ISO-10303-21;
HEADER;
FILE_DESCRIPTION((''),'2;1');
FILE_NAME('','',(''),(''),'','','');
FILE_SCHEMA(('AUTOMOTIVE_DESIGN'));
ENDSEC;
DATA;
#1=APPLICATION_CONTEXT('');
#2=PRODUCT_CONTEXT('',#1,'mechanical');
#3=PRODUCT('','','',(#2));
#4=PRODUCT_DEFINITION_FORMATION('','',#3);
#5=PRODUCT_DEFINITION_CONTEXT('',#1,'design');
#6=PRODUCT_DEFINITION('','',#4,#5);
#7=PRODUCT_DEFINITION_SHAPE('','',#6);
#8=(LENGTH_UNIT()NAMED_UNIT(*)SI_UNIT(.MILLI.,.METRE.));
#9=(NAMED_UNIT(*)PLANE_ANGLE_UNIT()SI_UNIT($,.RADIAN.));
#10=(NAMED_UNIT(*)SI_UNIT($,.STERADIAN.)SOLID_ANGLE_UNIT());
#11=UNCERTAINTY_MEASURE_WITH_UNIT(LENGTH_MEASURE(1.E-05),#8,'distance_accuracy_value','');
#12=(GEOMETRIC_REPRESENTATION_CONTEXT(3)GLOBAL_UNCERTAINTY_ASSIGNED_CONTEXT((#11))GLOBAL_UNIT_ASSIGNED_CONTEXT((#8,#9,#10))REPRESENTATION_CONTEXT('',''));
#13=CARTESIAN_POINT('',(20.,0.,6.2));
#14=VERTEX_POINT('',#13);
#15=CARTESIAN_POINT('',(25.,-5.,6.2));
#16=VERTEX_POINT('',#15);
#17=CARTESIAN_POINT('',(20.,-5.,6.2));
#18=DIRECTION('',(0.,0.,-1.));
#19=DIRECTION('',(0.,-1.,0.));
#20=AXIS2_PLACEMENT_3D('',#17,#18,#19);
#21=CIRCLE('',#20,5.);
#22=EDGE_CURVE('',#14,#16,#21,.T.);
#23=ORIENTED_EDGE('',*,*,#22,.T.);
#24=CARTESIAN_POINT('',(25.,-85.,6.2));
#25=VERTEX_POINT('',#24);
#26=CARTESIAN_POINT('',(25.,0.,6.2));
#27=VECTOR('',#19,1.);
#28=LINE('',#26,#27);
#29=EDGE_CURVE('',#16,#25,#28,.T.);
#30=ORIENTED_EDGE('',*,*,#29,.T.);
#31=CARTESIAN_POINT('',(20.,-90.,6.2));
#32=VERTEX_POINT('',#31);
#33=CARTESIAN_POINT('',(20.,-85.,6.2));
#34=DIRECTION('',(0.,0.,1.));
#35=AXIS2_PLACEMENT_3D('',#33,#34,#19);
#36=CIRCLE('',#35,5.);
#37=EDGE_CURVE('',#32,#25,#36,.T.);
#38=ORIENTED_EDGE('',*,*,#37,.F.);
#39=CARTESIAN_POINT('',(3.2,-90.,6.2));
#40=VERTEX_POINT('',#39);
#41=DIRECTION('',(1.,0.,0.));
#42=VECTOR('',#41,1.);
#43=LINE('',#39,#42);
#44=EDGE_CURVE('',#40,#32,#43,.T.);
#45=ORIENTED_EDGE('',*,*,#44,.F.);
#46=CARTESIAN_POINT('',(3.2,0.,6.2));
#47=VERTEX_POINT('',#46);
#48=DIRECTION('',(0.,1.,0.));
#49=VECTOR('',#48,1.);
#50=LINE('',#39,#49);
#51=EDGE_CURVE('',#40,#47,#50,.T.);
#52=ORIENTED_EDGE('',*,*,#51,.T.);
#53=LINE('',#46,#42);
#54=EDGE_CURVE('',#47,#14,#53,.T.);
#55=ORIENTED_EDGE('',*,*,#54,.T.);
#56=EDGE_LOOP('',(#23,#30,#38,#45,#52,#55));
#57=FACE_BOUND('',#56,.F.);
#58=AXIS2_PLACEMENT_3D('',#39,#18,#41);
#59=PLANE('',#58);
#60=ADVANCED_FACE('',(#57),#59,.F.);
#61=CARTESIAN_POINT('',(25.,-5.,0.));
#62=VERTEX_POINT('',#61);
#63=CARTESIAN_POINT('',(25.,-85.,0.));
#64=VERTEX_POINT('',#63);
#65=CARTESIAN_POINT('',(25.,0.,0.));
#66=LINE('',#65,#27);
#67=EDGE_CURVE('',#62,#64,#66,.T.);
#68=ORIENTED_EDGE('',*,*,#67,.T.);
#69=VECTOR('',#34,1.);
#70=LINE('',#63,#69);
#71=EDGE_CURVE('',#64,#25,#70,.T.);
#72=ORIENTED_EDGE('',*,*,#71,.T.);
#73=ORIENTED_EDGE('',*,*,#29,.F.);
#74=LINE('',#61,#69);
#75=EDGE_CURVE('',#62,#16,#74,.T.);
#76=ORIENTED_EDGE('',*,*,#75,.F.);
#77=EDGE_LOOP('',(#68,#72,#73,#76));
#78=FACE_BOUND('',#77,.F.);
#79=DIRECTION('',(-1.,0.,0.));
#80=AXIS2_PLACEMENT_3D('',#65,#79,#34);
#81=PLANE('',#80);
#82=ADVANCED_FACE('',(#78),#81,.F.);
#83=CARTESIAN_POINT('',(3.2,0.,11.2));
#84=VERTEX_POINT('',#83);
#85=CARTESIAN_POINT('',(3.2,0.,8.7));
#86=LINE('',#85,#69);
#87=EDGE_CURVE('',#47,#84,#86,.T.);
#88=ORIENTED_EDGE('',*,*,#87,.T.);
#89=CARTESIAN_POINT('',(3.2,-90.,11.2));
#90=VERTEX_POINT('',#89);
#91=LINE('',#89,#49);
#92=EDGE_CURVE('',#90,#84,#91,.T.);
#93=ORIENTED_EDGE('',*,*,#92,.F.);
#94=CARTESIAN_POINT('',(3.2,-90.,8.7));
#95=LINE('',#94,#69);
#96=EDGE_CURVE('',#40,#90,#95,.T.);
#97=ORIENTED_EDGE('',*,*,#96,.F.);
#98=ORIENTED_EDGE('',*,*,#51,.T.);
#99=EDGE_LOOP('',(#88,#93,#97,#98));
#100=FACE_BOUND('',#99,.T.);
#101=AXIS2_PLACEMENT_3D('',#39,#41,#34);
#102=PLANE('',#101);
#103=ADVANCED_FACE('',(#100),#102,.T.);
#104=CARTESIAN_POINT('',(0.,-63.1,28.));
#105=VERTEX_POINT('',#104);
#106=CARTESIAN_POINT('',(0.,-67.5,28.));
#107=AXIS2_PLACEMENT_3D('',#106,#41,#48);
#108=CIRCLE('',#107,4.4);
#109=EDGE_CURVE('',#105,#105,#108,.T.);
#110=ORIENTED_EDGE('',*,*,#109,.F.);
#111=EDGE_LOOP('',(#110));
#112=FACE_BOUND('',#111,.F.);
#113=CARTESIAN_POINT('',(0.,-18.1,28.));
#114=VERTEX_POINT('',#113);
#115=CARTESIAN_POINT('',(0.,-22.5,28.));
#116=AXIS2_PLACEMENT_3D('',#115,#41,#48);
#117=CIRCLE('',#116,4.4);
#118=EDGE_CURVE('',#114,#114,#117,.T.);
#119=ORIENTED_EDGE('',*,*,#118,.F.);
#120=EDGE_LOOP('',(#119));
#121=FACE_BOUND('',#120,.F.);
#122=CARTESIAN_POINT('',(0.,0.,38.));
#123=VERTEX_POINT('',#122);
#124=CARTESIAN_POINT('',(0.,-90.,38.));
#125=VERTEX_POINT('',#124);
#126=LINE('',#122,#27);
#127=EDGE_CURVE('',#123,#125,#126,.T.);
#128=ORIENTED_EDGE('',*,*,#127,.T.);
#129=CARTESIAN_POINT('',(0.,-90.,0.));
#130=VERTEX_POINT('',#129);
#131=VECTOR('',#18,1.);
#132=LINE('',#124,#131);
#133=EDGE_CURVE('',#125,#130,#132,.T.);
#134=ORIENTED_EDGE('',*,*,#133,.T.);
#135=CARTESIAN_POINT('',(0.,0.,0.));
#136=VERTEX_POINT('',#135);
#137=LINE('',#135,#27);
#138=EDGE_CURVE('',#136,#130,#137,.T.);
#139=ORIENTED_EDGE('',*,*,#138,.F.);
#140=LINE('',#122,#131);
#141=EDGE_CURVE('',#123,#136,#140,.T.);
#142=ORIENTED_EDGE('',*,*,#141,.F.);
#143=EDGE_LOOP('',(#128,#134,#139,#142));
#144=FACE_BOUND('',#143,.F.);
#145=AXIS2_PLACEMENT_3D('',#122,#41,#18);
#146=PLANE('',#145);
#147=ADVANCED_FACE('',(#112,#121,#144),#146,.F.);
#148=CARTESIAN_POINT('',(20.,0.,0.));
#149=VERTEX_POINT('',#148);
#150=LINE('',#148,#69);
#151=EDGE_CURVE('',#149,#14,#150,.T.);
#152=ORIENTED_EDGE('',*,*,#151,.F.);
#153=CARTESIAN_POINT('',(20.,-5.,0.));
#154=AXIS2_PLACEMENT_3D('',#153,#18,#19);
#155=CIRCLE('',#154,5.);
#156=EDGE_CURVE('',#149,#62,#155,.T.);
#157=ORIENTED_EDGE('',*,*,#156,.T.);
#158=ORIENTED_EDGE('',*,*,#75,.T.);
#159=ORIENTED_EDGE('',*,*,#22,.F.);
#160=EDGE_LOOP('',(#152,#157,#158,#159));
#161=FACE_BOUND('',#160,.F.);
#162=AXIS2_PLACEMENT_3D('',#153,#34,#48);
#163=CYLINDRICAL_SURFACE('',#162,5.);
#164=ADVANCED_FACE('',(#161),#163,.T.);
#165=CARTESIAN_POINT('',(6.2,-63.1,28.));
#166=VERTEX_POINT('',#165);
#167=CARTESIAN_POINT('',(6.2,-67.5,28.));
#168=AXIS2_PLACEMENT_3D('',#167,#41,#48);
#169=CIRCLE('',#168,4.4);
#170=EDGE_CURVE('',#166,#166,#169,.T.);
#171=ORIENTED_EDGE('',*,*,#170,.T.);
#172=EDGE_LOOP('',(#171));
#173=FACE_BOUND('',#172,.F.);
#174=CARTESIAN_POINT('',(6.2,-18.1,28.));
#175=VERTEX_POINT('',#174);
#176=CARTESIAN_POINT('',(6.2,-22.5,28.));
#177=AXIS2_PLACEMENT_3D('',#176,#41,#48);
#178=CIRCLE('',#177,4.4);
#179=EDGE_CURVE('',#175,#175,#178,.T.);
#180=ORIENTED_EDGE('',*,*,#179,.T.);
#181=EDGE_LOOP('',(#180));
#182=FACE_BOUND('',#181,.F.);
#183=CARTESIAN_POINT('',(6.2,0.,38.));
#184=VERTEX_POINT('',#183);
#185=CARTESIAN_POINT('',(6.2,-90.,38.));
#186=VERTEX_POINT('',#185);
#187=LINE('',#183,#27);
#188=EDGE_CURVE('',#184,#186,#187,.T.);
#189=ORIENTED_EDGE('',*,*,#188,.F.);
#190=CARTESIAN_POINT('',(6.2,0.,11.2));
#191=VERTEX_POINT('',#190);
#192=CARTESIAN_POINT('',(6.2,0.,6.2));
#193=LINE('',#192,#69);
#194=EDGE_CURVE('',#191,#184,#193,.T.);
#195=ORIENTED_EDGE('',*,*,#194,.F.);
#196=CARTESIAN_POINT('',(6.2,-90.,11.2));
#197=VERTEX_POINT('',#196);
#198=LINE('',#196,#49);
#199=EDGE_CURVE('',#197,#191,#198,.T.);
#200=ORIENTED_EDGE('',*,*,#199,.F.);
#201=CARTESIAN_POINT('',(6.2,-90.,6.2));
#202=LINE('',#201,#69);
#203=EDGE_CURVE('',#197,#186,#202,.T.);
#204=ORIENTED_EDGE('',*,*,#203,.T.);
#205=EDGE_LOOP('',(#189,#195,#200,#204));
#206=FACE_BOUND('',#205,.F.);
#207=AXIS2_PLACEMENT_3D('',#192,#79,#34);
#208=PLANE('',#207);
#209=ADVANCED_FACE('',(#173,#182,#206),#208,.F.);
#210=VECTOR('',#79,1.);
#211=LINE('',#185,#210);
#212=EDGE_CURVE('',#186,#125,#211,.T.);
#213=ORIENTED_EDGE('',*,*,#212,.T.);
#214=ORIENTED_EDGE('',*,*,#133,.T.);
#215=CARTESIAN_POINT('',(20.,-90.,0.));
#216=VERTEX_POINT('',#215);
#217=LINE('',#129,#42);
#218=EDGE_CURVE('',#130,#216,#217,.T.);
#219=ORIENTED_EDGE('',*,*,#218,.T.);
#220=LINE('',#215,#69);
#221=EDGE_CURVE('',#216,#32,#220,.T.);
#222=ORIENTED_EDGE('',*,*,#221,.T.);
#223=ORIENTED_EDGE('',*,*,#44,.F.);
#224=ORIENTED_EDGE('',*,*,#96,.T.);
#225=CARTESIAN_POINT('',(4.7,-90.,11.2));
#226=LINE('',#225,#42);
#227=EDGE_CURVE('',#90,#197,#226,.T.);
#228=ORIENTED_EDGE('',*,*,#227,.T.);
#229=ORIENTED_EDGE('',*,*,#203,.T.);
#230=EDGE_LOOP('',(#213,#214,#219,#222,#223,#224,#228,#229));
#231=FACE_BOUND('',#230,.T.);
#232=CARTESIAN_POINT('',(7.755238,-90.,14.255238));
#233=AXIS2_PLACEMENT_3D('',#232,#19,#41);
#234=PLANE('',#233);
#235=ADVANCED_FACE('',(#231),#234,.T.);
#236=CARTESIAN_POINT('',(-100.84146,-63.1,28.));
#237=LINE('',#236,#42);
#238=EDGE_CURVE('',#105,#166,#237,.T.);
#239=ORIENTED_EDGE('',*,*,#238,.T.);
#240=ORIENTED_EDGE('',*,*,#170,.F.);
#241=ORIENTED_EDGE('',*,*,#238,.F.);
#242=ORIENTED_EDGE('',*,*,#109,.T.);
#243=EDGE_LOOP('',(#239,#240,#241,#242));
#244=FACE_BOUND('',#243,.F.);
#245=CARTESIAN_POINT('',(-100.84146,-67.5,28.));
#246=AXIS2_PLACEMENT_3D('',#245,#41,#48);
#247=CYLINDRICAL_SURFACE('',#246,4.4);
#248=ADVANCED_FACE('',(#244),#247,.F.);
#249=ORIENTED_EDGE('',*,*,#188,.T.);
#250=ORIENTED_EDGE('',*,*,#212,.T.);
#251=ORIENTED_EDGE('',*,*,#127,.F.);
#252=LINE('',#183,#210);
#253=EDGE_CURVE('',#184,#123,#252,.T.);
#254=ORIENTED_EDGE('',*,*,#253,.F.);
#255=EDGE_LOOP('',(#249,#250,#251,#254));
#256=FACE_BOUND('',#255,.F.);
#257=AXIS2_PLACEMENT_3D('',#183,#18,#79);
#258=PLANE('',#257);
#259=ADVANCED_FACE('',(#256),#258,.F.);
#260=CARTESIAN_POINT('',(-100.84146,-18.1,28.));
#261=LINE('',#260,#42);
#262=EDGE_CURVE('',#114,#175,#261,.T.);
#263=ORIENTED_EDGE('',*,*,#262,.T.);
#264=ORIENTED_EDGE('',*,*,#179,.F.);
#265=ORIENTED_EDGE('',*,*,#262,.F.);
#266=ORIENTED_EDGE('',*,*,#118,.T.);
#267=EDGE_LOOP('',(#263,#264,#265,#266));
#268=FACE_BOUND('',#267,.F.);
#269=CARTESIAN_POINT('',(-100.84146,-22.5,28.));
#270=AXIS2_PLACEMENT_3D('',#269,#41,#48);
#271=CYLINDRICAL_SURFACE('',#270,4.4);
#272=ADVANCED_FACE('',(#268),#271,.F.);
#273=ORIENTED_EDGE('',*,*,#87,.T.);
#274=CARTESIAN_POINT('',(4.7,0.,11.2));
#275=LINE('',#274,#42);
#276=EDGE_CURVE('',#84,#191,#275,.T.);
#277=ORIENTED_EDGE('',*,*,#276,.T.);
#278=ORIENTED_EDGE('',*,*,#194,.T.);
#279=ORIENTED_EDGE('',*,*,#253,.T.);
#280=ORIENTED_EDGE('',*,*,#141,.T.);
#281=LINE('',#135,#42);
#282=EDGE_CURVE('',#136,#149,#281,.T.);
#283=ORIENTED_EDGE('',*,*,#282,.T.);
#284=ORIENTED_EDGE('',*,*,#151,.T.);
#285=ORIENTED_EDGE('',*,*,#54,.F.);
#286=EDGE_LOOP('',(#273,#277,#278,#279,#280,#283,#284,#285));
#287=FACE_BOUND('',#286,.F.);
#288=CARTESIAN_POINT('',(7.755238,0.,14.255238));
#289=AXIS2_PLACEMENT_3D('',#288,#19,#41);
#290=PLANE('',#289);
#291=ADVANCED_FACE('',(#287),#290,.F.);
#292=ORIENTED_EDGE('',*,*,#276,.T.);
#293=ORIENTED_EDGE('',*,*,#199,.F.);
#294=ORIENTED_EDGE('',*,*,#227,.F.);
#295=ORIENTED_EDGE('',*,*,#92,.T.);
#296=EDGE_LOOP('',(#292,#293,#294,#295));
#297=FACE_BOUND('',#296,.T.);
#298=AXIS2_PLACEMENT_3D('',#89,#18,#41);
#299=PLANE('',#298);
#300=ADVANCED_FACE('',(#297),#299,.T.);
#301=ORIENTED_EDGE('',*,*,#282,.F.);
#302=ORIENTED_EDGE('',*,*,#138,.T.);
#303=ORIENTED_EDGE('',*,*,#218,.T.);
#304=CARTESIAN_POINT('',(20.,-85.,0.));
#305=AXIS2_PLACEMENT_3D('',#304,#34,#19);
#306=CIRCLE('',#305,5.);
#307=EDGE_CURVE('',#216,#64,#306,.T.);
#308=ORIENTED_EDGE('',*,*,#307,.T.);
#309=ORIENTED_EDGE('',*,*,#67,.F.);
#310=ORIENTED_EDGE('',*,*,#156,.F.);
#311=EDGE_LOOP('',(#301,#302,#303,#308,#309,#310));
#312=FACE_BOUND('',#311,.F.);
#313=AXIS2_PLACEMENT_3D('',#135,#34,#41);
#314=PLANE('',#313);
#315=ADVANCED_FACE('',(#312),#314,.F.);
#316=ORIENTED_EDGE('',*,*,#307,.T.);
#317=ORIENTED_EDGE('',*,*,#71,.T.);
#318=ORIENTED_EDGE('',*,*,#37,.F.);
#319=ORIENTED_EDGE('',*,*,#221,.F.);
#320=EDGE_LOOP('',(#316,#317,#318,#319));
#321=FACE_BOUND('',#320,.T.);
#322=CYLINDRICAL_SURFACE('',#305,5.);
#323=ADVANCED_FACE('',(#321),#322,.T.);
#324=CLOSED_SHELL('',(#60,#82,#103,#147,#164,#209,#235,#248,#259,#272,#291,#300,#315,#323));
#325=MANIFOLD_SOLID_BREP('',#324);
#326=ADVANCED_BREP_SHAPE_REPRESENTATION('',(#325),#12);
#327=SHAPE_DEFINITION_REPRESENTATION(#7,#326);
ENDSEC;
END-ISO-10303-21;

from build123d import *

# Parameters (mm, degrees)
F1_DEPTH = 90
F3_D     = 8.8
F4_R     = 5
F5_W     = 3
F5_H     = 5
F6_DEPTH = 90


with BuildPart() as f1:
    # F0 (on Front) → F1 (new body)
    with BuildSketch(Plane.XZ):
        Polygon((0, 38), (0, 0), (25, 0), (25, 6.2), (6.2, 6.2), (6.2, 38), align=None)
    extrude(amount=F1_DEPTH)

    # F3 (through all)
    with Locations(Plane(origin=(0, 0, 0), x_dir=(0, -1, 0), z_dir=(-1, 0, 0))):
        with Locations((67.5, 28), (22.5, 28)):
            Hole(F3_D / 2)

    # F4
    f4_edges = [f1.edges().sort_by_distance(p)[0] for p in [
        (25, -90, 3.1),
        (25, 0, 3.1),
    ]]
    fillet(f4_edges, radius=F4_R)

    # F5 (on face) → F6 (cut)
    with BuildSketch(Plane.XZ.offset(90)):
        with Locations((4.7, 8.7)):
            Rectangle(F5_W, F5_H)
    extrude(amount=-F6_DEPTH, mode=Mode.SUBTRACT)


solid = f1.part
